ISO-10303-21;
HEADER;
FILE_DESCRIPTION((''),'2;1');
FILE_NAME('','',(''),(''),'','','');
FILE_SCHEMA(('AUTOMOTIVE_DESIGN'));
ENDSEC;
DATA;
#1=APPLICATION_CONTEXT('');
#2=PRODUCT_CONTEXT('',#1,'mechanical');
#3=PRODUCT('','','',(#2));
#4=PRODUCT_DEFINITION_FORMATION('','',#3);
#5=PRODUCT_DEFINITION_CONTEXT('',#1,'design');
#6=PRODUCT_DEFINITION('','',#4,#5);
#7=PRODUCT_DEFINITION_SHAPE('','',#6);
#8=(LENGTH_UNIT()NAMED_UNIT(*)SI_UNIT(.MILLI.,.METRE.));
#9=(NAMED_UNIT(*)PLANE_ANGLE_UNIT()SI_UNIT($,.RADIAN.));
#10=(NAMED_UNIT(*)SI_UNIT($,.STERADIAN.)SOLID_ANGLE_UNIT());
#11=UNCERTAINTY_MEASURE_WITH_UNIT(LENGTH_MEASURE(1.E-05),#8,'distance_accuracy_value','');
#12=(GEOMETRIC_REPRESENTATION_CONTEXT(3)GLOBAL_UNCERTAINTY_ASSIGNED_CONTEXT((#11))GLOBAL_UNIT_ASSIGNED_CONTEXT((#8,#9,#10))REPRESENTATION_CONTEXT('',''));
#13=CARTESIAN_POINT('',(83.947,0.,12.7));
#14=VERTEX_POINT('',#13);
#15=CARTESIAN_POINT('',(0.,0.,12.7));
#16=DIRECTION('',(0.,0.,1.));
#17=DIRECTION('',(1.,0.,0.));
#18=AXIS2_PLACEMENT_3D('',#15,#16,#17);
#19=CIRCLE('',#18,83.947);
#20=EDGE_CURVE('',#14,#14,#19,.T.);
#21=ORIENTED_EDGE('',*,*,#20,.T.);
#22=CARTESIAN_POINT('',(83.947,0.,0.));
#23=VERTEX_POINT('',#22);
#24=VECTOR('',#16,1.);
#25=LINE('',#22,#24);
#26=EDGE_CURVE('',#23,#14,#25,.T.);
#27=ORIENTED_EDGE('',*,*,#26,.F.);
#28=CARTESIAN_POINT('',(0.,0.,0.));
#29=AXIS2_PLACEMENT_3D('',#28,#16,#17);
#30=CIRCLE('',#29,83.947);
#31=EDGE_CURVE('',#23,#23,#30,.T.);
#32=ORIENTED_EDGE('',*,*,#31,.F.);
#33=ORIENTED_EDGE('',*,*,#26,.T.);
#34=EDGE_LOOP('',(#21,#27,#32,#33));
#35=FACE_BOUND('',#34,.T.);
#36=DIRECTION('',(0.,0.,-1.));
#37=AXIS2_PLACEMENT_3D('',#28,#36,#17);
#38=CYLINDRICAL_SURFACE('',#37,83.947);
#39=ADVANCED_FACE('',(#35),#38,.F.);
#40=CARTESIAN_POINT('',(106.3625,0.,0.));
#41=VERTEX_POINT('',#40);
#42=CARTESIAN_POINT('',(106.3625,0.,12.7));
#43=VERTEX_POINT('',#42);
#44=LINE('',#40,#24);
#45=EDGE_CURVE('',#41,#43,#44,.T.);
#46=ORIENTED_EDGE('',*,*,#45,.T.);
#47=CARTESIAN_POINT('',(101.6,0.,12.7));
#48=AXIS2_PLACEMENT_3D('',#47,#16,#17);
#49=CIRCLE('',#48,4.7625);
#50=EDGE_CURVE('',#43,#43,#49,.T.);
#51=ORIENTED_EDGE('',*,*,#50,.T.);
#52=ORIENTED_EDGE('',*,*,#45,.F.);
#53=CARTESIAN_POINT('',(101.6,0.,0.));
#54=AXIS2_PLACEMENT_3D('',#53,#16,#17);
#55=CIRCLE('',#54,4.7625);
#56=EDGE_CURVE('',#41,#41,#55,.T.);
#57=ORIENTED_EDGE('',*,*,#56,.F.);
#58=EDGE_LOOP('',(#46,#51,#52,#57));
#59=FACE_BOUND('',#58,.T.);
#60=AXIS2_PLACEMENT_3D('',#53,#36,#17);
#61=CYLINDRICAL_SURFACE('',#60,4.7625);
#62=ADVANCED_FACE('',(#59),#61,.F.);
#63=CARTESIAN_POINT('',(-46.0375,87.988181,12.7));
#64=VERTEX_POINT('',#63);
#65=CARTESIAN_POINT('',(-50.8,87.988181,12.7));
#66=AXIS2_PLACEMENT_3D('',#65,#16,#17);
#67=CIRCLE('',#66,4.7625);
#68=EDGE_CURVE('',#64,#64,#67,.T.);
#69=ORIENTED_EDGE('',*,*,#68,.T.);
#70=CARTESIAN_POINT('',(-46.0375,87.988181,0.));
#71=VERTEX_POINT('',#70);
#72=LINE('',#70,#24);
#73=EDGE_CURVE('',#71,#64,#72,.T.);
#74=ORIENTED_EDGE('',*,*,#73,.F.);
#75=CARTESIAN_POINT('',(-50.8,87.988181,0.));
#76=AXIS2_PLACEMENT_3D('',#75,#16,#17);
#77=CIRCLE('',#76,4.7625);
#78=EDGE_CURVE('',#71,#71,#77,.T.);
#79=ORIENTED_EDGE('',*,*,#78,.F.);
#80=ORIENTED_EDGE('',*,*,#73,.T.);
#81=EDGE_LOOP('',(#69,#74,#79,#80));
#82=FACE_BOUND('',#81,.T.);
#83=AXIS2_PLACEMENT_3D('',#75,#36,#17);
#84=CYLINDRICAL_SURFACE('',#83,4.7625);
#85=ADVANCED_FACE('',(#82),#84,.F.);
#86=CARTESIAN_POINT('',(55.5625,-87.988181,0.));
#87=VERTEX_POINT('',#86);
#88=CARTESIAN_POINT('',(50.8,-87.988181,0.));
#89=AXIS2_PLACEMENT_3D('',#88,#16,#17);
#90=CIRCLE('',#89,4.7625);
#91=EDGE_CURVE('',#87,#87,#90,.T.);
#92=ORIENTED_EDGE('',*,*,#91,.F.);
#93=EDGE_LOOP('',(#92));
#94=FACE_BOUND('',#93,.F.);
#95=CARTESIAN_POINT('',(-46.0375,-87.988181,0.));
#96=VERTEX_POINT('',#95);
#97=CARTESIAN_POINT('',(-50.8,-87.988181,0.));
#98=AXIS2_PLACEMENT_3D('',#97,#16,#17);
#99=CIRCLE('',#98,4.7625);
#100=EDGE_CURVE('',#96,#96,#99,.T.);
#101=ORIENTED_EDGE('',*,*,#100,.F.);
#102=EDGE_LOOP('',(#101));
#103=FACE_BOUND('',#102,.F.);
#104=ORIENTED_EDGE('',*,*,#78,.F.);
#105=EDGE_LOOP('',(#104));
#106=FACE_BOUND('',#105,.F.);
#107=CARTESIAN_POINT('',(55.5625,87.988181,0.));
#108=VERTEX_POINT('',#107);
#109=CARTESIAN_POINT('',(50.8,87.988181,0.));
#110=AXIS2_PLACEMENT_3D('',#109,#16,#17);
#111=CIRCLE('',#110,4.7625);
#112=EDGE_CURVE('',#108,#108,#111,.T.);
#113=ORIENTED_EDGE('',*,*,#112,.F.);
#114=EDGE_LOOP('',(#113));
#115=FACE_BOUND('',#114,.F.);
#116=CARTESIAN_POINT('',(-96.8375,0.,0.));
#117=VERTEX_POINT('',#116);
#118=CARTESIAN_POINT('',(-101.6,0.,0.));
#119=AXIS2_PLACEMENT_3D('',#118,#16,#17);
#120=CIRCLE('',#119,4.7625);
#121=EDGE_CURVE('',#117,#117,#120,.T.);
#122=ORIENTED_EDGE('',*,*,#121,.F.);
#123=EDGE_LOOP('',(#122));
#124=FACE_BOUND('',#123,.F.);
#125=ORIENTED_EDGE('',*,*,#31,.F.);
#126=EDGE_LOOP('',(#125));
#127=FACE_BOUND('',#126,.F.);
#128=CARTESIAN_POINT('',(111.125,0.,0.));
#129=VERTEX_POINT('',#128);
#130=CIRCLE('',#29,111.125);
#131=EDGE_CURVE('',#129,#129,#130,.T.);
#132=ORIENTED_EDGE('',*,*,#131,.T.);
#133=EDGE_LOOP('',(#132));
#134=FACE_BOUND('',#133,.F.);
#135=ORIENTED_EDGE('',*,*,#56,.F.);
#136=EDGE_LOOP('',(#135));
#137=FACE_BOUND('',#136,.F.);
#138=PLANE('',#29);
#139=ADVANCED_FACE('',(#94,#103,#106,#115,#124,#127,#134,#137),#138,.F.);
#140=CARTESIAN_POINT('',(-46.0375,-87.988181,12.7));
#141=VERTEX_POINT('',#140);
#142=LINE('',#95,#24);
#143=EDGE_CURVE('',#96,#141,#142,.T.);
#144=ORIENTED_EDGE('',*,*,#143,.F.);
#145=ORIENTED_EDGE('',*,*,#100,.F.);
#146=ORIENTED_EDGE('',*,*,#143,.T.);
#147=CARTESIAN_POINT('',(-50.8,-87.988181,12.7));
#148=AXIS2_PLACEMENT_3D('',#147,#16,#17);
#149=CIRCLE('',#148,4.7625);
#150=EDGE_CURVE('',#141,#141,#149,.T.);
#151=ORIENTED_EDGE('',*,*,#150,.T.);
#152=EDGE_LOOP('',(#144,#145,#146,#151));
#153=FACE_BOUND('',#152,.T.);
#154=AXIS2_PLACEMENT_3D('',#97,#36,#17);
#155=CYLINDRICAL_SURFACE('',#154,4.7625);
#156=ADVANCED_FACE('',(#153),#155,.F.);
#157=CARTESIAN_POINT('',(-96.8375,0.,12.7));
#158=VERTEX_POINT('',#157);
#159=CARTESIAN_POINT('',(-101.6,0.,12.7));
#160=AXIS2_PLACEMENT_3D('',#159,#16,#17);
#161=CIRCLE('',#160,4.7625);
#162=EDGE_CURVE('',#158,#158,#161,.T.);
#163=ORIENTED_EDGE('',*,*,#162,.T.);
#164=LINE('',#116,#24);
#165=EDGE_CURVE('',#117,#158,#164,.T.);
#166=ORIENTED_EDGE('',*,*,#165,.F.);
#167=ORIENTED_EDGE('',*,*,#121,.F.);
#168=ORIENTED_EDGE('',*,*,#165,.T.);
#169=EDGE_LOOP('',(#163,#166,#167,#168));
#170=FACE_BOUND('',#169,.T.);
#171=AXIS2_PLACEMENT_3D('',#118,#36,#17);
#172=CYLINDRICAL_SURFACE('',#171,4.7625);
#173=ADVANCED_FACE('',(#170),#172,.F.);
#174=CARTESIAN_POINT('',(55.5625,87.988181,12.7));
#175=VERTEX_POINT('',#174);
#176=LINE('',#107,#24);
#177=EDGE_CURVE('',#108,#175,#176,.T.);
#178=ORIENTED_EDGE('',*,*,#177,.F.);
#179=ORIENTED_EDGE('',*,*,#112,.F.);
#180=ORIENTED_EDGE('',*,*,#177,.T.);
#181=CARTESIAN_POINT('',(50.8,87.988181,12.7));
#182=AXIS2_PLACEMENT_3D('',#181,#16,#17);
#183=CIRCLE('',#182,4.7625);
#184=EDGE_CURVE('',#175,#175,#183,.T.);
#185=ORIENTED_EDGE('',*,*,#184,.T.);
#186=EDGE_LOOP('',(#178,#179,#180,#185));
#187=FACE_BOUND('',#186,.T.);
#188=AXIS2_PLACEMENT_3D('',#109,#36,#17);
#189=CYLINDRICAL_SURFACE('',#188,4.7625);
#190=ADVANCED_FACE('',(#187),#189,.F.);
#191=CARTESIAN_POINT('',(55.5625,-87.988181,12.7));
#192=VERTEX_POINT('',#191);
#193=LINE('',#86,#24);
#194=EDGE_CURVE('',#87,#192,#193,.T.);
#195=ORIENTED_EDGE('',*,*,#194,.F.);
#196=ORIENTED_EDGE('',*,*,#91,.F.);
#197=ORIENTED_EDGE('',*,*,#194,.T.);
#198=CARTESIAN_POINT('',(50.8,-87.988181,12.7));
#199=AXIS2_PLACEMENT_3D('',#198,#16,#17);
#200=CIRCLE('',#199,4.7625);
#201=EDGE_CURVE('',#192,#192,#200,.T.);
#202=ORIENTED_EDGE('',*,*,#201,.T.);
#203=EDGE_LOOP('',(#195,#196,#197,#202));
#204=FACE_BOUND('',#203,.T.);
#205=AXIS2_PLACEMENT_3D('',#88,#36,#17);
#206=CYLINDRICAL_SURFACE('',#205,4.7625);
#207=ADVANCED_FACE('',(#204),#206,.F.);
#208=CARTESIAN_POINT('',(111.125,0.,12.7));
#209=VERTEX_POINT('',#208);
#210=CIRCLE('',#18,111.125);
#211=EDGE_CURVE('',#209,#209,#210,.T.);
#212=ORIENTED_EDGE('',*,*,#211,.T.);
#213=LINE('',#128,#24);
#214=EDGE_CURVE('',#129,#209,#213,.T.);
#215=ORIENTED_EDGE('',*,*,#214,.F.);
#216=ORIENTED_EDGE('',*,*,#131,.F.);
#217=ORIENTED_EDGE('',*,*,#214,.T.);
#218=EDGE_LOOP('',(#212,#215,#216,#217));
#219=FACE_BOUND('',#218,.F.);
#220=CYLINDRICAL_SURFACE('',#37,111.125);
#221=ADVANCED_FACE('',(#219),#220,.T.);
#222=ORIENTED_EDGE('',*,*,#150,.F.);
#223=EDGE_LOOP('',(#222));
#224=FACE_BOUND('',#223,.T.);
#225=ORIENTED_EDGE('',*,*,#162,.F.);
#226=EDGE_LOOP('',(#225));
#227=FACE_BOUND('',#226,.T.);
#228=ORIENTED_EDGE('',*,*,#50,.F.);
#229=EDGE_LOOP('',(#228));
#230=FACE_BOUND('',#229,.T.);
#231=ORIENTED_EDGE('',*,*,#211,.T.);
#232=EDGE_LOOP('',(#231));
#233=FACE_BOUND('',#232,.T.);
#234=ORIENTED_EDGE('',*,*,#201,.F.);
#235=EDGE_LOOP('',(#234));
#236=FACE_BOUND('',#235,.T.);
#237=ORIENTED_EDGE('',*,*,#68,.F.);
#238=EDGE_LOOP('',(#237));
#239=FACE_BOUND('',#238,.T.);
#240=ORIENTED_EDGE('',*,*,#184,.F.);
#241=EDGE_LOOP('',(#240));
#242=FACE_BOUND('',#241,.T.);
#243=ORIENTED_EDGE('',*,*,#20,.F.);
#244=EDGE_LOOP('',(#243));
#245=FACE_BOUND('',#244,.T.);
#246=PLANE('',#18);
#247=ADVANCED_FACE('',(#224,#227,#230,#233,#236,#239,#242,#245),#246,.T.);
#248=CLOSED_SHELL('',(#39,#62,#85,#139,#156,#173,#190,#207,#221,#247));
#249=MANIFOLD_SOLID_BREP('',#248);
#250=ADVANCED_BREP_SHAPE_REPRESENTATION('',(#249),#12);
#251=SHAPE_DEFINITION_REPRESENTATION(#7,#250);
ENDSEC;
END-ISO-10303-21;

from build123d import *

# Parameters (mm, degrees)
F0_R     = 111.125
F0_R_2   = 4.7625
F0_R_3   = 83.947
F1_DEPTH = 12.7


with BuildPart() as f1:
    # F0 (on Top) → F1 (new body)
    with BuildSketch(Plane.XY):
        Circle(F0_R)
        with Locations((-50.8, -87.988181)):
            Circle(F0_R_2, mode=Mode.SUBTRACT)
        with Locations((50.8, -87.988181)):
            Circle(F0_R_2, mode=Mode.SUBTRACT)
        with Locations((-101.6, 0)):
            Circle(F0_R_2, mode=Mode.SUBTRACT)
        with Locations((-50.8, 87.988181)):
            Circle(F0_R_2, mode=Mode.SUBTRACT)
        Circle(F0_R_3, mode=Mode.SUBTRACT)
        with Locations((101.6, 0)):
            Circle(F0_R_2, mode=Mode.SUBTRACT)
        with Locations((50.8, 87.988181)):
            Circle(F0_R_2, mode=Mode.SUBTRACT)
    extrude(amount=F1_DEPTH)


solid = f1.part
